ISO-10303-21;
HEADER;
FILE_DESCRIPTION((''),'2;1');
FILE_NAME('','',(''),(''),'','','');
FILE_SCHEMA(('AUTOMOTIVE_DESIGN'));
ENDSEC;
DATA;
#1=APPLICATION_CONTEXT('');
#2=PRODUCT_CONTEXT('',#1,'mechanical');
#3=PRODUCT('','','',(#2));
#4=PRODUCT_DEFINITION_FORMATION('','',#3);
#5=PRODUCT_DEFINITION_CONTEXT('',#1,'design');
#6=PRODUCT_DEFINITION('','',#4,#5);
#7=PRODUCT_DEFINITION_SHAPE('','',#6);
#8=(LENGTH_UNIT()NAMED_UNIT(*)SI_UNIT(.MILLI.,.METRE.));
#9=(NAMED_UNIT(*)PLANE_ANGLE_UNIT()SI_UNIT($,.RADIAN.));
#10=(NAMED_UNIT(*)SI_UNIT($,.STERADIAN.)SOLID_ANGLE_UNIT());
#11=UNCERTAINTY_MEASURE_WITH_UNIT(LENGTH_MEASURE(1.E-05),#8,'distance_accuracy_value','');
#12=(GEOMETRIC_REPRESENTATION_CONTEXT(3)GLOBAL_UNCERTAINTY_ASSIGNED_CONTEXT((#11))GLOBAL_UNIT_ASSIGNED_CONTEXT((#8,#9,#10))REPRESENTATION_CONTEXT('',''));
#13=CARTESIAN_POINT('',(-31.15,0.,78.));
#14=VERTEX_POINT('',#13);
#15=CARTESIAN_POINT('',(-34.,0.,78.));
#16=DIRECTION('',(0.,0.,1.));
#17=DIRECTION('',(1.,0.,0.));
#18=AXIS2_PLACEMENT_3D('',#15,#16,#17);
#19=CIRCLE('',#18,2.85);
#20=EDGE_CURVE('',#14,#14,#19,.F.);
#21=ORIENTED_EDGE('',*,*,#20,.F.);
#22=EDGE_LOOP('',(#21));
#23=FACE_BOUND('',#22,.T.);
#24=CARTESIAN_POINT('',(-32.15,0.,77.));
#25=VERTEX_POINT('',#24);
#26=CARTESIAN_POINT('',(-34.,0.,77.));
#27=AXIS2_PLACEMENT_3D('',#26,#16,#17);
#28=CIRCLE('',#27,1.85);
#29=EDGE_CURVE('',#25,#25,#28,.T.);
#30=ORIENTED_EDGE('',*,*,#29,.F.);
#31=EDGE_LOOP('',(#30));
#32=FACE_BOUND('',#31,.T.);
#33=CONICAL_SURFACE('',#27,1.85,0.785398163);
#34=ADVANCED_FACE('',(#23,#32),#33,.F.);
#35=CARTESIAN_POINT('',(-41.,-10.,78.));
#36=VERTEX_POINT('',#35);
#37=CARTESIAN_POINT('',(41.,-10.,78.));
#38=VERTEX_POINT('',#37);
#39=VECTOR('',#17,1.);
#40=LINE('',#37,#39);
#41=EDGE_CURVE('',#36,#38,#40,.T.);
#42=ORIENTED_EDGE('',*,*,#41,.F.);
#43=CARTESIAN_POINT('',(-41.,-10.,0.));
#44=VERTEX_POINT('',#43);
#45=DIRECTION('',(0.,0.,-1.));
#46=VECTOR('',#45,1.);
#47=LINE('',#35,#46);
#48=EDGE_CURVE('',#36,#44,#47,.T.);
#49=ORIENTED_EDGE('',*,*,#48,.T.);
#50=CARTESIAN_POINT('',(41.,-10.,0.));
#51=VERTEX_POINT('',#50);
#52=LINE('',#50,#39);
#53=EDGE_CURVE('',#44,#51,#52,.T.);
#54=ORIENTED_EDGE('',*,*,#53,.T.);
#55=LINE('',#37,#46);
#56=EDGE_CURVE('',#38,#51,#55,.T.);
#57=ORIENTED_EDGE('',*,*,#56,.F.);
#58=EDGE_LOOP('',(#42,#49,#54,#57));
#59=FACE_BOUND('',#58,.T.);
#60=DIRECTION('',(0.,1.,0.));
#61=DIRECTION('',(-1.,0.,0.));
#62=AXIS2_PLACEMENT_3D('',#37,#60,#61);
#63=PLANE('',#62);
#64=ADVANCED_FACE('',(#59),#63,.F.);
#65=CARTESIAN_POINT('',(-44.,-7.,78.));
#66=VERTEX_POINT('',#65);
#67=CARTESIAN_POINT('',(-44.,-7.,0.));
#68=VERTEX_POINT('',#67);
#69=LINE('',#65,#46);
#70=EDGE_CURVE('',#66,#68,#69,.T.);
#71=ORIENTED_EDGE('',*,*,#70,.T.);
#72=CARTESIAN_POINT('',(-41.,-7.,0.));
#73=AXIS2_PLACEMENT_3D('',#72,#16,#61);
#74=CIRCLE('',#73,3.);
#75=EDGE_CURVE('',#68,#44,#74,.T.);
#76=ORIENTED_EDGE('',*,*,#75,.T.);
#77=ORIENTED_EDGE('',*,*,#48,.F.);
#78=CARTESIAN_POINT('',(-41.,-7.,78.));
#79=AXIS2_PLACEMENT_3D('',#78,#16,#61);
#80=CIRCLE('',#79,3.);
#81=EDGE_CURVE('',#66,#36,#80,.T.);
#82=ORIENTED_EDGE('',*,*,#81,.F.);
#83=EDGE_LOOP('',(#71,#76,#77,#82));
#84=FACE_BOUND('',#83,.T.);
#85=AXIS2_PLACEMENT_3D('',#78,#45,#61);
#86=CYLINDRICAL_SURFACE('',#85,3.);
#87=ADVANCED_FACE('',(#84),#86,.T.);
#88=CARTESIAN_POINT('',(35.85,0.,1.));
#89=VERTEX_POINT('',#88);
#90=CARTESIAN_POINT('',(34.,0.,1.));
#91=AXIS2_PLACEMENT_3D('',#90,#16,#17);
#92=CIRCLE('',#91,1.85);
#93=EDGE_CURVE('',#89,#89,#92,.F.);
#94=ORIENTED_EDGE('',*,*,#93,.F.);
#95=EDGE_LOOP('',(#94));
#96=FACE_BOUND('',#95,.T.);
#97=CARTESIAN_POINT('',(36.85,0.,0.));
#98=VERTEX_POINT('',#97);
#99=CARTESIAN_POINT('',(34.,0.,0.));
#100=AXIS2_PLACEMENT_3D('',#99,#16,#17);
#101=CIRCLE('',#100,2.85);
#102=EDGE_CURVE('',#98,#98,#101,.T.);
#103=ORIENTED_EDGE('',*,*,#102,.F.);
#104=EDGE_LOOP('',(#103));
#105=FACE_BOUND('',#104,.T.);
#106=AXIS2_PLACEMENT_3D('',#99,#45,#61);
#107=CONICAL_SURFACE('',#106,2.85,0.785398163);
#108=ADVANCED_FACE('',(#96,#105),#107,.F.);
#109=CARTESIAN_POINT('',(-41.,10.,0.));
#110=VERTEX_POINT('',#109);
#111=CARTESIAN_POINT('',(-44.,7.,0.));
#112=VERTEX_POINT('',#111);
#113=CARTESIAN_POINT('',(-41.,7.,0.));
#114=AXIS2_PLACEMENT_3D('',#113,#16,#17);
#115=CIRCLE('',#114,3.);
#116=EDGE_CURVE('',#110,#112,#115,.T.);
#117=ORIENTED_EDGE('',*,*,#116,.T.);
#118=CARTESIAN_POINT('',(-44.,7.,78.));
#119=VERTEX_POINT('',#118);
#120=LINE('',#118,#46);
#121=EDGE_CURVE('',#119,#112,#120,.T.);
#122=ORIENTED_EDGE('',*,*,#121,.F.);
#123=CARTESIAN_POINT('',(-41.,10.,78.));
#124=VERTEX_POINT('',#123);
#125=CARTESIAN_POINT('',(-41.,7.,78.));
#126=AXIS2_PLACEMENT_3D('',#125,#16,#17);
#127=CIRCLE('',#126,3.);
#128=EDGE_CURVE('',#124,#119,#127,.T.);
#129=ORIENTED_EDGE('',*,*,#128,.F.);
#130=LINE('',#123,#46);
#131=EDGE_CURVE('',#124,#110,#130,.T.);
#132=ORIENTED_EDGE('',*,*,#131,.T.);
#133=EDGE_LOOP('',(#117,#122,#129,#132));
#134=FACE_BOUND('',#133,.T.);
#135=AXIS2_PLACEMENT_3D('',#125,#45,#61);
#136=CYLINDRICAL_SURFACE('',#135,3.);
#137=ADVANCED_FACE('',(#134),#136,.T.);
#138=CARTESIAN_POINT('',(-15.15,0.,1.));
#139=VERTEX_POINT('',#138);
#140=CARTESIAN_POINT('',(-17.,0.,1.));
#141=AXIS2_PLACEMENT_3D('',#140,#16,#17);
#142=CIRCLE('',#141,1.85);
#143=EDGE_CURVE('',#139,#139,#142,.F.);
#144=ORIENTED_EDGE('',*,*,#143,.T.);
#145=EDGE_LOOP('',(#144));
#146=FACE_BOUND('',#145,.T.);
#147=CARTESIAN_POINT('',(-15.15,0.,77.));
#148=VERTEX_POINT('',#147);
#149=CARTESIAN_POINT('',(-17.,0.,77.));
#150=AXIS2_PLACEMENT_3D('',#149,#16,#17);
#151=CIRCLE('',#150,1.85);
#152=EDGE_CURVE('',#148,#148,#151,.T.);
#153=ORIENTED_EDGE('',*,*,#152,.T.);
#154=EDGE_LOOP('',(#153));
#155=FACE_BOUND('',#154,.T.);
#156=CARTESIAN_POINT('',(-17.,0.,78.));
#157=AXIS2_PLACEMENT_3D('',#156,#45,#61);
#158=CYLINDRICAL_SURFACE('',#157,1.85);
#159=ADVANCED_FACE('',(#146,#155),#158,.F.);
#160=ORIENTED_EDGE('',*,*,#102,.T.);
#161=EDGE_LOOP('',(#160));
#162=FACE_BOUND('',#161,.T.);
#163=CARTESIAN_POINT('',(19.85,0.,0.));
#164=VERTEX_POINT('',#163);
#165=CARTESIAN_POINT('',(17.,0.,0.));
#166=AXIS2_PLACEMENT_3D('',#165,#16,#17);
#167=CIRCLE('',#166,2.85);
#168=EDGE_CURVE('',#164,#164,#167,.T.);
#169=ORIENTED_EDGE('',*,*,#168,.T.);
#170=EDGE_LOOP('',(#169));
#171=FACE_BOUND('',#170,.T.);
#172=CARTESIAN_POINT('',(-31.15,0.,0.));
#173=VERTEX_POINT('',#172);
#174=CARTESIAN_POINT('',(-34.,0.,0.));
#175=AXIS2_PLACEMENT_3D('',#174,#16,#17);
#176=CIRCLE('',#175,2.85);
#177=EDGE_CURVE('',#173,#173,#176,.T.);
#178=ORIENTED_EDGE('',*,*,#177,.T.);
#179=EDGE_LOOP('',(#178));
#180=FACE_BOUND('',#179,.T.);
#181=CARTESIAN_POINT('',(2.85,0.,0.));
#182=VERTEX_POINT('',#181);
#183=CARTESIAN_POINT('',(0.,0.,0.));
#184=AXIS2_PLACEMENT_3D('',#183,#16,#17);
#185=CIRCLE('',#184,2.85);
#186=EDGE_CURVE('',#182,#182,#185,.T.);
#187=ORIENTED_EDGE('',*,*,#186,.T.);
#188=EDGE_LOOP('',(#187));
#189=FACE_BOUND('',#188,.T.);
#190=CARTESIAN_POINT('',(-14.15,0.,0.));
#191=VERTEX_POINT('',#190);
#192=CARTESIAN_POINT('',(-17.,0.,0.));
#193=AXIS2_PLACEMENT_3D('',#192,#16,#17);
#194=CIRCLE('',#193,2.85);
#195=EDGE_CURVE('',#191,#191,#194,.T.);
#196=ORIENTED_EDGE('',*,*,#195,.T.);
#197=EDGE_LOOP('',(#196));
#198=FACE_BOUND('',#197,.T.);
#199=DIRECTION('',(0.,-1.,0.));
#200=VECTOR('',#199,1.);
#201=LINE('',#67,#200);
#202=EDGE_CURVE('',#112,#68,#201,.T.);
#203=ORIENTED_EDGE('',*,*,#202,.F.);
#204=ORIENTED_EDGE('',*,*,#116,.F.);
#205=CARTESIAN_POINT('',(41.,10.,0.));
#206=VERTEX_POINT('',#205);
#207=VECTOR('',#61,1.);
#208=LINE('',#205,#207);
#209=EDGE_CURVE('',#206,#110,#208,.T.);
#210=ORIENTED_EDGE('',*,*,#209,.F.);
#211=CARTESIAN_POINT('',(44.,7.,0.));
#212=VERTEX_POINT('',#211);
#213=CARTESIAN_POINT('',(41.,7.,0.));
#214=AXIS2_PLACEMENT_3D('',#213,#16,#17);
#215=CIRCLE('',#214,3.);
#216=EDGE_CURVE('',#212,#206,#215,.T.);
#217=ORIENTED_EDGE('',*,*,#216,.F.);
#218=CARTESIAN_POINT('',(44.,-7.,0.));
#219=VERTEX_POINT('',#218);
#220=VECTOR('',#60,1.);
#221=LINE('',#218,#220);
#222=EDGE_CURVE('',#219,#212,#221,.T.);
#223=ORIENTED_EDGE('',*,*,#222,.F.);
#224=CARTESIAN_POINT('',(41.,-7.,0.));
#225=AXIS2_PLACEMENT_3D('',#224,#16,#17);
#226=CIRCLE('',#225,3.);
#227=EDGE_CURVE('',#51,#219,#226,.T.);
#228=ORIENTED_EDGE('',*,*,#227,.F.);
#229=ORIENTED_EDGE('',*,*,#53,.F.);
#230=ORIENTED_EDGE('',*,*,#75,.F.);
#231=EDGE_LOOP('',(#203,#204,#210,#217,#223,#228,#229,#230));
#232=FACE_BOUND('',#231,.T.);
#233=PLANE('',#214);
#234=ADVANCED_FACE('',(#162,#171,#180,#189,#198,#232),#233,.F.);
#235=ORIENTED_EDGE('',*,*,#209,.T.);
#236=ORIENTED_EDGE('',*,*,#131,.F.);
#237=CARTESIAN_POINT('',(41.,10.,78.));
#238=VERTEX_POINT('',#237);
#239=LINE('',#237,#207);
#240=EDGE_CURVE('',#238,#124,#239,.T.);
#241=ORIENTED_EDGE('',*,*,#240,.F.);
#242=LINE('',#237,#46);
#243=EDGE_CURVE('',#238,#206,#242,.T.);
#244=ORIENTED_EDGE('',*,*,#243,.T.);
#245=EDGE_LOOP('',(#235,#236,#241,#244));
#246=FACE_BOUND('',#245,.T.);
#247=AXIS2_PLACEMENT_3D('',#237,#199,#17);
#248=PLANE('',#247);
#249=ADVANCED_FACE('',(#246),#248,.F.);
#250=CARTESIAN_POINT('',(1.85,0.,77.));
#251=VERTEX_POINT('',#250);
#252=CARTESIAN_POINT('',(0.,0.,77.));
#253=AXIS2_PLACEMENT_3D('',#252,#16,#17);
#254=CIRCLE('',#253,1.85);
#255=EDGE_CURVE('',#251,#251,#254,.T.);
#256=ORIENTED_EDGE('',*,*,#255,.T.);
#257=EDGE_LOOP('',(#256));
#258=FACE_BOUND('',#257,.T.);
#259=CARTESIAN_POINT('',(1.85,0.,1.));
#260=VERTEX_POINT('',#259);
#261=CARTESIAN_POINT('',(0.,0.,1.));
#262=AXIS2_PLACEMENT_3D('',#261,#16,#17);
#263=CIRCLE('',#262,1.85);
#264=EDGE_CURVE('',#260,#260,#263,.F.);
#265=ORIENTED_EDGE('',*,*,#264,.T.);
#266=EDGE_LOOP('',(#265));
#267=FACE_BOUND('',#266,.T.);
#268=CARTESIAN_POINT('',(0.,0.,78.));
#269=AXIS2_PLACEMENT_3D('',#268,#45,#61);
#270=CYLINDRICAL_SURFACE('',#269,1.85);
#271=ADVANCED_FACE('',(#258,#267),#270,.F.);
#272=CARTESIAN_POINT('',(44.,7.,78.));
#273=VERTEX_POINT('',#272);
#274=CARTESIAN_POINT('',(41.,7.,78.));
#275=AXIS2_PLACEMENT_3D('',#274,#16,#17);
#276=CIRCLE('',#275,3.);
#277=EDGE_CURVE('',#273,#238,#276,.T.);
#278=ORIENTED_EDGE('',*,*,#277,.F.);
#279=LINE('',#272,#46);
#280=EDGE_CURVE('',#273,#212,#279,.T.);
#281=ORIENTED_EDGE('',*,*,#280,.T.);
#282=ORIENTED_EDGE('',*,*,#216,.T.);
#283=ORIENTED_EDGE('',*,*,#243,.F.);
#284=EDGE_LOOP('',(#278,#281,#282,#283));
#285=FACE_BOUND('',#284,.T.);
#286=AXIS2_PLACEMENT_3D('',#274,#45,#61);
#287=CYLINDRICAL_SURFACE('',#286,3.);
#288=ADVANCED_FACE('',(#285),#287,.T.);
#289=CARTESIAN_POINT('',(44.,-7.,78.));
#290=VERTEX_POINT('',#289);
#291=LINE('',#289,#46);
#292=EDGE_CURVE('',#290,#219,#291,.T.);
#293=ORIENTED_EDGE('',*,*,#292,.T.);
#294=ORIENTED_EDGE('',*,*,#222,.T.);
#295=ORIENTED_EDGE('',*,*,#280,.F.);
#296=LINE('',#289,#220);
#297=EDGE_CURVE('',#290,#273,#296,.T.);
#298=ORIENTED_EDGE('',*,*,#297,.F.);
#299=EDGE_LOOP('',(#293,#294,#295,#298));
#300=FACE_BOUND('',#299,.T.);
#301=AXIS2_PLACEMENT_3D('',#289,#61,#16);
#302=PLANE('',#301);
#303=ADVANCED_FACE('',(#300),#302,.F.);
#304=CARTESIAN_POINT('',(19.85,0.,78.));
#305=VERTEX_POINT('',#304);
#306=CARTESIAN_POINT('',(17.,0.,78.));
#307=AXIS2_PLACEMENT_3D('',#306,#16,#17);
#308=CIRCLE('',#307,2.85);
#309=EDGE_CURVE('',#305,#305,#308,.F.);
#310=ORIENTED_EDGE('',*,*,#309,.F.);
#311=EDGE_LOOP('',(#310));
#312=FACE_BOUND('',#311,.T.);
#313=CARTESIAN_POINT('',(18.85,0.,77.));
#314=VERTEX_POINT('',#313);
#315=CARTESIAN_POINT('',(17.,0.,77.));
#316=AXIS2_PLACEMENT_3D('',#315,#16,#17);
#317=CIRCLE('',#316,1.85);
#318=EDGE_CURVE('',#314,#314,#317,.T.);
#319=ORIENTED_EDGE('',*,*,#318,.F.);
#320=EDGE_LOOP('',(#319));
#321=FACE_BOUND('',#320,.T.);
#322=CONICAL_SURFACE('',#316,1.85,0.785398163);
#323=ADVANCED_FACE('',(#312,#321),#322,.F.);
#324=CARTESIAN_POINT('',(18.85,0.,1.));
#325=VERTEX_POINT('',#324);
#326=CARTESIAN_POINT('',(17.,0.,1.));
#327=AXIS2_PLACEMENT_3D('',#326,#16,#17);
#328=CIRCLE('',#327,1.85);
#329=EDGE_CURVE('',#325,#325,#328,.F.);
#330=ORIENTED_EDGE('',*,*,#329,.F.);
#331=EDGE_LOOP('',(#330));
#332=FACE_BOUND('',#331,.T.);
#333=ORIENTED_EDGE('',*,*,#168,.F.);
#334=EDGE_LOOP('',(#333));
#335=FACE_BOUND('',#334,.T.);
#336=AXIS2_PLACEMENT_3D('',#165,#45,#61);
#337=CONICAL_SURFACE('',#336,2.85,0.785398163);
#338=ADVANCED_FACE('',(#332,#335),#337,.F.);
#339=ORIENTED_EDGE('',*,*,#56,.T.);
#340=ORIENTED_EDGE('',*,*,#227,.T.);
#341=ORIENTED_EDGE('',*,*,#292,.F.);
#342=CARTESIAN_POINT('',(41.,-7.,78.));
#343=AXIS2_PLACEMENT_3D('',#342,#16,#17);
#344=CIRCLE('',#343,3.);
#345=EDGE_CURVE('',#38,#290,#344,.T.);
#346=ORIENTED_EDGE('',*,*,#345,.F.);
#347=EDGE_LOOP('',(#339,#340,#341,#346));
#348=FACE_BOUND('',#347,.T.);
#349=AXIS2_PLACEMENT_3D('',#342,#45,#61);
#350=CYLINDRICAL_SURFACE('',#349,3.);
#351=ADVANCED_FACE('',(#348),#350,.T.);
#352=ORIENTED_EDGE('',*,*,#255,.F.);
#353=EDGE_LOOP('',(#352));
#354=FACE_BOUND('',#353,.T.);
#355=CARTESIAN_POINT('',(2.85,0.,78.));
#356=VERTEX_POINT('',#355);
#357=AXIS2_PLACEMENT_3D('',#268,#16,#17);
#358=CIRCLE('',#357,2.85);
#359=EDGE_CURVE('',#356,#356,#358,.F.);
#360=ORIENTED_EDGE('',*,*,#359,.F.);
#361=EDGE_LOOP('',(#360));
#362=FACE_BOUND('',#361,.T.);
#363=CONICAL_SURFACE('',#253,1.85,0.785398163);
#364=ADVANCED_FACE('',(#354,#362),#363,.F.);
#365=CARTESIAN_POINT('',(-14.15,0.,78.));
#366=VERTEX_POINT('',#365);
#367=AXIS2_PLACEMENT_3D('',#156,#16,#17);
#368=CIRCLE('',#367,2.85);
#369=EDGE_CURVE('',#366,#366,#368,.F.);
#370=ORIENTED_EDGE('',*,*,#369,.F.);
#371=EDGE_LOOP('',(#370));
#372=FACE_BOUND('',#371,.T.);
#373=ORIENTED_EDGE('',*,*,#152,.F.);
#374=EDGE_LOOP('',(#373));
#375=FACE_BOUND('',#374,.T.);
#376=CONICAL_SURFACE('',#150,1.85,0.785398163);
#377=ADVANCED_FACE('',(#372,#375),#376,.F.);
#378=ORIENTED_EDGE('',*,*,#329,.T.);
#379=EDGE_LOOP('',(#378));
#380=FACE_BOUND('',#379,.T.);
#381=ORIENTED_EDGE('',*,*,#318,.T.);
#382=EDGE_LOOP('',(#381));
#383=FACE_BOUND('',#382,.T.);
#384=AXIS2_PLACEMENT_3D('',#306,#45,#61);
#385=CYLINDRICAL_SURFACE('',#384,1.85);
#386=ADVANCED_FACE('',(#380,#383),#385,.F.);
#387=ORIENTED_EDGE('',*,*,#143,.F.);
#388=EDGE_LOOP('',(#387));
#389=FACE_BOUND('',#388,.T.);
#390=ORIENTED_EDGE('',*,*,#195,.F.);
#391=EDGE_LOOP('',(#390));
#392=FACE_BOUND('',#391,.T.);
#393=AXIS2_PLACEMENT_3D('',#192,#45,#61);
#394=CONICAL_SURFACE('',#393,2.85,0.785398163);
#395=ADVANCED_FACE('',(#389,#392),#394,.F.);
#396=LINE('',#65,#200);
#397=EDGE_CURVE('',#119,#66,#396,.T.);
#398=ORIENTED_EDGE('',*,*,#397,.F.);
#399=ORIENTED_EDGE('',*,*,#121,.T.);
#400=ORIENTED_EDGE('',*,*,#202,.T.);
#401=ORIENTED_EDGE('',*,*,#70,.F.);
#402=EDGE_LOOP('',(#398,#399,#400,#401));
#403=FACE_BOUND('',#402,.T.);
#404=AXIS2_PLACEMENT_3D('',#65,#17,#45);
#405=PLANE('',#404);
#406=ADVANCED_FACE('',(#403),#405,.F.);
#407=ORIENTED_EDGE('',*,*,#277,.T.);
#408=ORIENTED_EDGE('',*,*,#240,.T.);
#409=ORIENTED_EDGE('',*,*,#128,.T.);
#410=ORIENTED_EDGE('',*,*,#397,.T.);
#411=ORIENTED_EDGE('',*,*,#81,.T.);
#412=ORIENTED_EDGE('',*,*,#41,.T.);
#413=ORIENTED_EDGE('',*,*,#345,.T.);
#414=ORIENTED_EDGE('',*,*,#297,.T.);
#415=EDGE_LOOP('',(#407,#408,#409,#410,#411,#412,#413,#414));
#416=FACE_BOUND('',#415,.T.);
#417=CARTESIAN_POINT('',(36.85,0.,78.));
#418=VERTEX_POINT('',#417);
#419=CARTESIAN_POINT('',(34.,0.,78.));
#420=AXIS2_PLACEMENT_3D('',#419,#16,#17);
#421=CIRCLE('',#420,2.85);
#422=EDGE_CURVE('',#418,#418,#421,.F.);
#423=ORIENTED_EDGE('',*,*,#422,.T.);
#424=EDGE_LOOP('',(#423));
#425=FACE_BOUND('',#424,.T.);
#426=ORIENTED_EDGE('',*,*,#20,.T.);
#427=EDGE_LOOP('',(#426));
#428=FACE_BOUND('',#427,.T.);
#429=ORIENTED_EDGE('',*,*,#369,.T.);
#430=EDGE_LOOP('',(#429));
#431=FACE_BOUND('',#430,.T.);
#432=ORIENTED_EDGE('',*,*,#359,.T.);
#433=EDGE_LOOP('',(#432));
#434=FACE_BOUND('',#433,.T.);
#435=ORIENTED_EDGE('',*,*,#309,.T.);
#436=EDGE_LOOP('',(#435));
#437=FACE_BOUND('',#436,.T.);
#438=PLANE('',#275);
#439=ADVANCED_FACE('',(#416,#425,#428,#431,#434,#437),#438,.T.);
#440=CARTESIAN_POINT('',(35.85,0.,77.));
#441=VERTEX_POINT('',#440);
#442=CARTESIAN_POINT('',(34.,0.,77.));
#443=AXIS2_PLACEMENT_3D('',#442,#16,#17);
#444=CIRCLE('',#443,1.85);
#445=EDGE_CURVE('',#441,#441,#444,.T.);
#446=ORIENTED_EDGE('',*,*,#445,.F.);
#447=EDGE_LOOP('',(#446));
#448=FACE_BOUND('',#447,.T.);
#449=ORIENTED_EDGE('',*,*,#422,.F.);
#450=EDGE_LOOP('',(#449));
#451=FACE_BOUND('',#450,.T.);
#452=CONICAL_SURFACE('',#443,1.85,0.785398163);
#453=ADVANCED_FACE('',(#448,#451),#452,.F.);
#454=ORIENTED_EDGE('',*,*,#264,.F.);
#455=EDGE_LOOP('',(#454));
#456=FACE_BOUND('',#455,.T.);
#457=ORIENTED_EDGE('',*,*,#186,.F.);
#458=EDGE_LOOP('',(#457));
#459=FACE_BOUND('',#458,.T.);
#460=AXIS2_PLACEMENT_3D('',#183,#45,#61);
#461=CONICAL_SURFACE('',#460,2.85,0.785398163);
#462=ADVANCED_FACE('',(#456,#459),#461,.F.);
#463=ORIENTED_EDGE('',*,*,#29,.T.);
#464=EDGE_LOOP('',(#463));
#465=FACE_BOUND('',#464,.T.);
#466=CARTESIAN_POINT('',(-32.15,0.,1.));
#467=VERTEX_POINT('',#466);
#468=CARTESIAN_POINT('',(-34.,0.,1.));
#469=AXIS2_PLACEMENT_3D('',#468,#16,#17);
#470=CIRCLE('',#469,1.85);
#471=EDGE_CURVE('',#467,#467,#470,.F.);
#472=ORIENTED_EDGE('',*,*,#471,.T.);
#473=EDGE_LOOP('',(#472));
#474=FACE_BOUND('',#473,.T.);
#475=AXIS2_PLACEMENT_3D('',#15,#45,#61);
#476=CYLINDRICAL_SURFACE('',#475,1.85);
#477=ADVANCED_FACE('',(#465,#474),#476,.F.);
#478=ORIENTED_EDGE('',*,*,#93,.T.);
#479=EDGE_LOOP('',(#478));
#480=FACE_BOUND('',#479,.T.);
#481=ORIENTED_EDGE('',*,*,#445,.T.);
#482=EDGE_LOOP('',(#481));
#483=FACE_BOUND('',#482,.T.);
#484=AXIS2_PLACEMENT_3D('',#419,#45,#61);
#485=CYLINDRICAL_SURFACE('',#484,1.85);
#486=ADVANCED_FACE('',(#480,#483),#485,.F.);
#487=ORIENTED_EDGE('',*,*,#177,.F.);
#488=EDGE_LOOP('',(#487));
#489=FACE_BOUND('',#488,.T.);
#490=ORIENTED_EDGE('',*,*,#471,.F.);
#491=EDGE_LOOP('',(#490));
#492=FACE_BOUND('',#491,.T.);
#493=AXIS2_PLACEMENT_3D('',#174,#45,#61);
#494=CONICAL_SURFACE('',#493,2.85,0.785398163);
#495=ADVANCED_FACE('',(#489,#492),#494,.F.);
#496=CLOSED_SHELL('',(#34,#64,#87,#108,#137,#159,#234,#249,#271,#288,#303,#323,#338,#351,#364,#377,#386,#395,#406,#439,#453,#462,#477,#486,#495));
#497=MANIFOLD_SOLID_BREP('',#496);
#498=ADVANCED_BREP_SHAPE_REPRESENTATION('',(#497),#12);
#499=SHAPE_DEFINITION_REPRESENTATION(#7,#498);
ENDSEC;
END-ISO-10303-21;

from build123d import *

# Parameters (mm, degrees)
SKETCH1_R           = 1.85
BOSS_EXTRUDE1_DEPTH = 78
CHAMFER1_SIZE       = 1


with BuildPart() as part:
    # Sketch1 → Boss-Extrude1 (new body)
    with BuildSketch(Plane.XY):
        with BuildLine():
            Line((41, -10), (-41, -10))
            ThreePointArc((-41, -10), (-43.121320344, -9.121320344), (-44, -7))
            Line((-44, -7), (-44, 7))
            ThreePointArc((-44, 7), (-43.121320344, 9.121320344), (-41, 10))
            Line((-41, 10), (41, 10))
            ThreePointArc((41, 10), (43.121320344, 9.121320344), (44, 7))
            Line((44, 7), (44, -7))
            ThreePointArc((44, -7), (43.121320344, -9.121320344), (41, -10))
        make_face()
        with Locations((-34, 0)):
            Circle(SKETCH1_R, mode=Mode.SUBTRACT)
        with Locations((-17, 0)):
            Circle(SKETCH1_R, mode=Mode.SUBTRACT)
        Circle(SKETCH1_R, mode=Mode.SUBTRACT)
        with Locations((17, 0)):
            Circle(SKETCH1_R, mode=Mode.SUBTRACT)
        with Locations((34, 0)):
            Circle(SKETCH1_R, mode=Mode.SUBTRACT)
    extrude(amount=BOSS_EXTRUDE1_DEPTH)

    # Chamfer1
    chamfer1_edges = [part.edges().sort_by_distance(p)[0] for p in [
        (-35.85, 0, 0),
        (-35.85, 0, 78),
        (-18.85, 0, 0),
        (-18.85, 0, 78),
        (-1.85, 0, 0),
        (-1.85, 0, 78),
        (15.15, 0, 0),
        (15.15, 0, 78),
        (32.15, 0, 0),
        (32.15, 0, 78),
    ]]
    chamfer(chamfer1_edges, length=CHAMFER1_SIZE)


solid = part.part
